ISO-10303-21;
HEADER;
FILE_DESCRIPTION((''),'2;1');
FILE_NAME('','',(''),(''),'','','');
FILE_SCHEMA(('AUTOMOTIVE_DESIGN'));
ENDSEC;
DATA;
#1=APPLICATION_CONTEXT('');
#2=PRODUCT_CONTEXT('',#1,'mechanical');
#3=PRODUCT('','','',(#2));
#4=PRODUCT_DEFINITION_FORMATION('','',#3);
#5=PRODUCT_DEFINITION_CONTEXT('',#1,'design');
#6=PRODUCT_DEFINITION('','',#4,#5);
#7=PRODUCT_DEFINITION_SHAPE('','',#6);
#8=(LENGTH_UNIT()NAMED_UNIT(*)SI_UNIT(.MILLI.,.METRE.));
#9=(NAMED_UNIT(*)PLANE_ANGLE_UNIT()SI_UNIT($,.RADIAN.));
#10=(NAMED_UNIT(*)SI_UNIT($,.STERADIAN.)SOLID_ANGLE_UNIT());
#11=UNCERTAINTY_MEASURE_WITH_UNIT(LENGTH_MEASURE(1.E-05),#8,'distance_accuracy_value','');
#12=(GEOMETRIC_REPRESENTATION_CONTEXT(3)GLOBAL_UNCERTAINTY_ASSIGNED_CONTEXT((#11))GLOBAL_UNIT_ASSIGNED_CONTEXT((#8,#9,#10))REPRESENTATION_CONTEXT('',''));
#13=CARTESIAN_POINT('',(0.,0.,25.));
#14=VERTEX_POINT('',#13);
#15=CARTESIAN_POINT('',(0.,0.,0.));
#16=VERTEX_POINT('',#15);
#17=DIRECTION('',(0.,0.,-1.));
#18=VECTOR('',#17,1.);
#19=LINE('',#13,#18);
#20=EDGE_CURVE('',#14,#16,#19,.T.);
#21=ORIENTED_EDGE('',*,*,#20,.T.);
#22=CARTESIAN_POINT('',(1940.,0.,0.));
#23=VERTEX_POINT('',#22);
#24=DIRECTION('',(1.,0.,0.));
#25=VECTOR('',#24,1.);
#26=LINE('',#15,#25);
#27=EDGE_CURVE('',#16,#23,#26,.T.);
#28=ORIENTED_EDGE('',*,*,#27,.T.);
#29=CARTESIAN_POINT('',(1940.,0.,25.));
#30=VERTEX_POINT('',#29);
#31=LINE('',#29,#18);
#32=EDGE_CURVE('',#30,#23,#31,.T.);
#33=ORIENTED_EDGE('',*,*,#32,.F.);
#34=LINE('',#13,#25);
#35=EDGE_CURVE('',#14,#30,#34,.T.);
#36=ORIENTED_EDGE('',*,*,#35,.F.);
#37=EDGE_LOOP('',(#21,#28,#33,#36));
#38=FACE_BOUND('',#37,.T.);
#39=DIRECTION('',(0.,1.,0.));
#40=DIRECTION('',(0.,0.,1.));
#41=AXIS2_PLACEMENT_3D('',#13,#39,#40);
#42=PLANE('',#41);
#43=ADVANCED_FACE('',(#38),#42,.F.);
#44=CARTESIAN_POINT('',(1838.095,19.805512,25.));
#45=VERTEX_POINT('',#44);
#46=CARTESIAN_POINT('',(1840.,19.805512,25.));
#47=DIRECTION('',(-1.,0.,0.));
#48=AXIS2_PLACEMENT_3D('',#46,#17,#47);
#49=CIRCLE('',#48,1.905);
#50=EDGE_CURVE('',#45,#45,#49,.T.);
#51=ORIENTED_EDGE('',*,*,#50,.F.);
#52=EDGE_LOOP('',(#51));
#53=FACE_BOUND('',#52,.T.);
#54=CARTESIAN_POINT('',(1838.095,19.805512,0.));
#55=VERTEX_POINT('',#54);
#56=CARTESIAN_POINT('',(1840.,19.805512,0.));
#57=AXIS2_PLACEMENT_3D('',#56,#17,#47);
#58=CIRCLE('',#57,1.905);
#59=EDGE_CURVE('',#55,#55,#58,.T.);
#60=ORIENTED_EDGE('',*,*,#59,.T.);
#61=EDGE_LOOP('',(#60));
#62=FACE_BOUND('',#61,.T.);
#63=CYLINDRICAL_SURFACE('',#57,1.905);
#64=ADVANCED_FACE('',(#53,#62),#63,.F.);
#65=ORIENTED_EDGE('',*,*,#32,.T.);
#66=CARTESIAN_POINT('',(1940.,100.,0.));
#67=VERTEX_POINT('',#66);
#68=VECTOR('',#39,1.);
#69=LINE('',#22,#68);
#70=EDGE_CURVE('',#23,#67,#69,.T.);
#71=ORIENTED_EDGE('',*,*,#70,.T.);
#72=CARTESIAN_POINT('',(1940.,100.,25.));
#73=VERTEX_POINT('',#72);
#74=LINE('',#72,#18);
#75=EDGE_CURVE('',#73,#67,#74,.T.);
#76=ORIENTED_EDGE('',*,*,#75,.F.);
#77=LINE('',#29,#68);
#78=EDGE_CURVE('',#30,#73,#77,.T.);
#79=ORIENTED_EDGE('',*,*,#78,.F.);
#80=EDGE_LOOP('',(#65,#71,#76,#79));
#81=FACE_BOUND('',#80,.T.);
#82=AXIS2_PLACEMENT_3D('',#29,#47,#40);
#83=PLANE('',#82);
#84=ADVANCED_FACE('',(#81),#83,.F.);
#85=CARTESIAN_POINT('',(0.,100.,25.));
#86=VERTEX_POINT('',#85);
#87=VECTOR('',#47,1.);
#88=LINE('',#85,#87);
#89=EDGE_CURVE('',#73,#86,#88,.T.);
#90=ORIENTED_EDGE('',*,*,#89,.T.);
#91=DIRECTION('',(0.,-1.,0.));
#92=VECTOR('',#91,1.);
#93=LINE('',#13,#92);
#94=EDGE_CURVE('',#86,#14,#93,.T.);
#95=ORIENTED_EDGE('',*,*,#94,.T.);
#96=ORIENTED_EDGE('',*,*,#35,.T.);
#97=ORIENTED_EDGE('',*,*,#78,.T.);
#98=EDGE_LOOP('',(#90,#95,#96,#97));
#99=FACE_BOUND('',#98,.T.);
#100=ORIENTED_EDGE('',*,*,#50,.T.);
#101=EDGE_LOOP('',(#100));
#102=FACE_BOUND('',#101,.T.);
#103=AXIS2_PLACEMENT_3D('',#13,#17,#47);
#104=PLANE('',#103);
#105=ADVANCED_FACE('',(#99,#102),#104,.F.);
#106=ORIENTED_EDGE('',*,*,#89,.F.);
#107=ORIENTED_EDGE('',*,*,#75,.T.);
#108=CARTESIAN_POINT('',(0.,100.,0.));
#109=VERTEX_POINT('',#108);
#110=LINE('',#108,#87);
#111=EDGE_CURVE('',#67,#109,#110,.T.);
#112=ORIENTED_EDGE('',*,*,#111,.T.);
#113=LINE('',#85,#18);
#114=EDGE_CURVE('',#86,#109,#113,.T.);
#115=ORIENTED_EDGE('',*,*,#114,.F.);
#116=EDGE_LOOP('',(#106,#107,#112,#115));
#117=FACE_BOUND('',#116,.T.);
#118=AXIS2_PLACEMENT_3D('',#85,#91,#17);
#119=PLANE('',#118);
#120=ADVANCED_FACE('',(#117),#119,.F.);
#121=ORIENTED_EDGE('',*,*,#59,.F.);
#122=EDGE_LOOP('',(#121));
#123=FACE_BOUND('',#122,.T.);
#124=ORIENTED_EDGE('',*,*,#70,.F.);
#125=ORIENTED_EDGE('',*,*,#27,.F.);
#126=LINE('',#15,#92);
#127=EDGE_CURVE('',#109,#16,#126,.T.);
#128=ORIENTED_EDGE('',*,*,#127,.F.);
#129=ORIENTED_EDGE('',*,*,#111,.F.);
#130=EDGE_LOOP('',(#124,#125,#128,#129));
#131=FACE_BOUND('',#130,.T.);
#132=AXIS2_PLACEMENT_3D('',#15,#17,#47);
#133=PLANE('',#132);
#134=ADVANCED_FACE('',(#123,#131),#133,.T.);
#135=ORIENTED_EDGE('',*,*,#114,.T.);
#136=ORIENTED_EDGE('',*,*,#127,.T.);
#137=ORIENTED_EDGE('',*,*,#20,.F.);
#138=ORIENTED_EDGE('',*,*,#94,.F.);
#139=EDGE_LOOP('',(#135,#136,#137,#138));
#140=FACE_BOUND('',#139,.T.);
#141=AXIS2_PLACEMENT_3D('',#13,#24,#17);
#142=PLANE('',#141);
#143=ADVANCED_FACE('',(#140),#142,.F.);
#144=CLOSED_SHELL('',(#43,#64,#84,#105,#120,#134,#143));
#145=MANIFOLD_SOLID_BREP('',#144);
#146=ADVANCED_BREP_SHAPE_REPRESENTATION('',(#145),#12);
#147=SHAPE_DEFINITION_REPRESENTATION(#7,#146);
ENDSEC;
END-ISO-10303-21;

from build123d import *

# Parameters (mm, degrees)
SKETCH1_W                 = 194
SKETCH1_H                 = 10
BOSS_EXTRUDE1_DEPTH       = 2.5
SCALE1_SCALE              = 10
F_6_CLEARANCE_HOLE2_D     = 3.81
F_6_CLEARANCE_HOLE2_DEPTH = 49


with BuildPart() as part:
    # Sketch1 → Boss-Extrude1 (new body)
    with BuildSketch(Plane.XY):
        with Locations((97, 5)):
            Rectangle(SKETCH1_W, SKETCH1_H)
    extrude(amount=BOSS_EXTRUDE1_DEPTH)


with BuildPart() as part_1:
    # Scale1: scaled about (0, 0, 0)
    add(part.part.scale(SCALE1_SCALE))

    # #6 Clearance Hole2
    with Locations(Plane(origin=(2049.418477494, 550, 0), x_dir=(-1, 0, 0), z_dir=(0, 0, -1))):
        with Locations((209.418477494, -530.194488108)):
            Hole(F_6_CLEARANCE_HOLE2_D / 2, depth=F_6_CLEARANCE_HOLE2_DEPTH)


solid = part_1.part
